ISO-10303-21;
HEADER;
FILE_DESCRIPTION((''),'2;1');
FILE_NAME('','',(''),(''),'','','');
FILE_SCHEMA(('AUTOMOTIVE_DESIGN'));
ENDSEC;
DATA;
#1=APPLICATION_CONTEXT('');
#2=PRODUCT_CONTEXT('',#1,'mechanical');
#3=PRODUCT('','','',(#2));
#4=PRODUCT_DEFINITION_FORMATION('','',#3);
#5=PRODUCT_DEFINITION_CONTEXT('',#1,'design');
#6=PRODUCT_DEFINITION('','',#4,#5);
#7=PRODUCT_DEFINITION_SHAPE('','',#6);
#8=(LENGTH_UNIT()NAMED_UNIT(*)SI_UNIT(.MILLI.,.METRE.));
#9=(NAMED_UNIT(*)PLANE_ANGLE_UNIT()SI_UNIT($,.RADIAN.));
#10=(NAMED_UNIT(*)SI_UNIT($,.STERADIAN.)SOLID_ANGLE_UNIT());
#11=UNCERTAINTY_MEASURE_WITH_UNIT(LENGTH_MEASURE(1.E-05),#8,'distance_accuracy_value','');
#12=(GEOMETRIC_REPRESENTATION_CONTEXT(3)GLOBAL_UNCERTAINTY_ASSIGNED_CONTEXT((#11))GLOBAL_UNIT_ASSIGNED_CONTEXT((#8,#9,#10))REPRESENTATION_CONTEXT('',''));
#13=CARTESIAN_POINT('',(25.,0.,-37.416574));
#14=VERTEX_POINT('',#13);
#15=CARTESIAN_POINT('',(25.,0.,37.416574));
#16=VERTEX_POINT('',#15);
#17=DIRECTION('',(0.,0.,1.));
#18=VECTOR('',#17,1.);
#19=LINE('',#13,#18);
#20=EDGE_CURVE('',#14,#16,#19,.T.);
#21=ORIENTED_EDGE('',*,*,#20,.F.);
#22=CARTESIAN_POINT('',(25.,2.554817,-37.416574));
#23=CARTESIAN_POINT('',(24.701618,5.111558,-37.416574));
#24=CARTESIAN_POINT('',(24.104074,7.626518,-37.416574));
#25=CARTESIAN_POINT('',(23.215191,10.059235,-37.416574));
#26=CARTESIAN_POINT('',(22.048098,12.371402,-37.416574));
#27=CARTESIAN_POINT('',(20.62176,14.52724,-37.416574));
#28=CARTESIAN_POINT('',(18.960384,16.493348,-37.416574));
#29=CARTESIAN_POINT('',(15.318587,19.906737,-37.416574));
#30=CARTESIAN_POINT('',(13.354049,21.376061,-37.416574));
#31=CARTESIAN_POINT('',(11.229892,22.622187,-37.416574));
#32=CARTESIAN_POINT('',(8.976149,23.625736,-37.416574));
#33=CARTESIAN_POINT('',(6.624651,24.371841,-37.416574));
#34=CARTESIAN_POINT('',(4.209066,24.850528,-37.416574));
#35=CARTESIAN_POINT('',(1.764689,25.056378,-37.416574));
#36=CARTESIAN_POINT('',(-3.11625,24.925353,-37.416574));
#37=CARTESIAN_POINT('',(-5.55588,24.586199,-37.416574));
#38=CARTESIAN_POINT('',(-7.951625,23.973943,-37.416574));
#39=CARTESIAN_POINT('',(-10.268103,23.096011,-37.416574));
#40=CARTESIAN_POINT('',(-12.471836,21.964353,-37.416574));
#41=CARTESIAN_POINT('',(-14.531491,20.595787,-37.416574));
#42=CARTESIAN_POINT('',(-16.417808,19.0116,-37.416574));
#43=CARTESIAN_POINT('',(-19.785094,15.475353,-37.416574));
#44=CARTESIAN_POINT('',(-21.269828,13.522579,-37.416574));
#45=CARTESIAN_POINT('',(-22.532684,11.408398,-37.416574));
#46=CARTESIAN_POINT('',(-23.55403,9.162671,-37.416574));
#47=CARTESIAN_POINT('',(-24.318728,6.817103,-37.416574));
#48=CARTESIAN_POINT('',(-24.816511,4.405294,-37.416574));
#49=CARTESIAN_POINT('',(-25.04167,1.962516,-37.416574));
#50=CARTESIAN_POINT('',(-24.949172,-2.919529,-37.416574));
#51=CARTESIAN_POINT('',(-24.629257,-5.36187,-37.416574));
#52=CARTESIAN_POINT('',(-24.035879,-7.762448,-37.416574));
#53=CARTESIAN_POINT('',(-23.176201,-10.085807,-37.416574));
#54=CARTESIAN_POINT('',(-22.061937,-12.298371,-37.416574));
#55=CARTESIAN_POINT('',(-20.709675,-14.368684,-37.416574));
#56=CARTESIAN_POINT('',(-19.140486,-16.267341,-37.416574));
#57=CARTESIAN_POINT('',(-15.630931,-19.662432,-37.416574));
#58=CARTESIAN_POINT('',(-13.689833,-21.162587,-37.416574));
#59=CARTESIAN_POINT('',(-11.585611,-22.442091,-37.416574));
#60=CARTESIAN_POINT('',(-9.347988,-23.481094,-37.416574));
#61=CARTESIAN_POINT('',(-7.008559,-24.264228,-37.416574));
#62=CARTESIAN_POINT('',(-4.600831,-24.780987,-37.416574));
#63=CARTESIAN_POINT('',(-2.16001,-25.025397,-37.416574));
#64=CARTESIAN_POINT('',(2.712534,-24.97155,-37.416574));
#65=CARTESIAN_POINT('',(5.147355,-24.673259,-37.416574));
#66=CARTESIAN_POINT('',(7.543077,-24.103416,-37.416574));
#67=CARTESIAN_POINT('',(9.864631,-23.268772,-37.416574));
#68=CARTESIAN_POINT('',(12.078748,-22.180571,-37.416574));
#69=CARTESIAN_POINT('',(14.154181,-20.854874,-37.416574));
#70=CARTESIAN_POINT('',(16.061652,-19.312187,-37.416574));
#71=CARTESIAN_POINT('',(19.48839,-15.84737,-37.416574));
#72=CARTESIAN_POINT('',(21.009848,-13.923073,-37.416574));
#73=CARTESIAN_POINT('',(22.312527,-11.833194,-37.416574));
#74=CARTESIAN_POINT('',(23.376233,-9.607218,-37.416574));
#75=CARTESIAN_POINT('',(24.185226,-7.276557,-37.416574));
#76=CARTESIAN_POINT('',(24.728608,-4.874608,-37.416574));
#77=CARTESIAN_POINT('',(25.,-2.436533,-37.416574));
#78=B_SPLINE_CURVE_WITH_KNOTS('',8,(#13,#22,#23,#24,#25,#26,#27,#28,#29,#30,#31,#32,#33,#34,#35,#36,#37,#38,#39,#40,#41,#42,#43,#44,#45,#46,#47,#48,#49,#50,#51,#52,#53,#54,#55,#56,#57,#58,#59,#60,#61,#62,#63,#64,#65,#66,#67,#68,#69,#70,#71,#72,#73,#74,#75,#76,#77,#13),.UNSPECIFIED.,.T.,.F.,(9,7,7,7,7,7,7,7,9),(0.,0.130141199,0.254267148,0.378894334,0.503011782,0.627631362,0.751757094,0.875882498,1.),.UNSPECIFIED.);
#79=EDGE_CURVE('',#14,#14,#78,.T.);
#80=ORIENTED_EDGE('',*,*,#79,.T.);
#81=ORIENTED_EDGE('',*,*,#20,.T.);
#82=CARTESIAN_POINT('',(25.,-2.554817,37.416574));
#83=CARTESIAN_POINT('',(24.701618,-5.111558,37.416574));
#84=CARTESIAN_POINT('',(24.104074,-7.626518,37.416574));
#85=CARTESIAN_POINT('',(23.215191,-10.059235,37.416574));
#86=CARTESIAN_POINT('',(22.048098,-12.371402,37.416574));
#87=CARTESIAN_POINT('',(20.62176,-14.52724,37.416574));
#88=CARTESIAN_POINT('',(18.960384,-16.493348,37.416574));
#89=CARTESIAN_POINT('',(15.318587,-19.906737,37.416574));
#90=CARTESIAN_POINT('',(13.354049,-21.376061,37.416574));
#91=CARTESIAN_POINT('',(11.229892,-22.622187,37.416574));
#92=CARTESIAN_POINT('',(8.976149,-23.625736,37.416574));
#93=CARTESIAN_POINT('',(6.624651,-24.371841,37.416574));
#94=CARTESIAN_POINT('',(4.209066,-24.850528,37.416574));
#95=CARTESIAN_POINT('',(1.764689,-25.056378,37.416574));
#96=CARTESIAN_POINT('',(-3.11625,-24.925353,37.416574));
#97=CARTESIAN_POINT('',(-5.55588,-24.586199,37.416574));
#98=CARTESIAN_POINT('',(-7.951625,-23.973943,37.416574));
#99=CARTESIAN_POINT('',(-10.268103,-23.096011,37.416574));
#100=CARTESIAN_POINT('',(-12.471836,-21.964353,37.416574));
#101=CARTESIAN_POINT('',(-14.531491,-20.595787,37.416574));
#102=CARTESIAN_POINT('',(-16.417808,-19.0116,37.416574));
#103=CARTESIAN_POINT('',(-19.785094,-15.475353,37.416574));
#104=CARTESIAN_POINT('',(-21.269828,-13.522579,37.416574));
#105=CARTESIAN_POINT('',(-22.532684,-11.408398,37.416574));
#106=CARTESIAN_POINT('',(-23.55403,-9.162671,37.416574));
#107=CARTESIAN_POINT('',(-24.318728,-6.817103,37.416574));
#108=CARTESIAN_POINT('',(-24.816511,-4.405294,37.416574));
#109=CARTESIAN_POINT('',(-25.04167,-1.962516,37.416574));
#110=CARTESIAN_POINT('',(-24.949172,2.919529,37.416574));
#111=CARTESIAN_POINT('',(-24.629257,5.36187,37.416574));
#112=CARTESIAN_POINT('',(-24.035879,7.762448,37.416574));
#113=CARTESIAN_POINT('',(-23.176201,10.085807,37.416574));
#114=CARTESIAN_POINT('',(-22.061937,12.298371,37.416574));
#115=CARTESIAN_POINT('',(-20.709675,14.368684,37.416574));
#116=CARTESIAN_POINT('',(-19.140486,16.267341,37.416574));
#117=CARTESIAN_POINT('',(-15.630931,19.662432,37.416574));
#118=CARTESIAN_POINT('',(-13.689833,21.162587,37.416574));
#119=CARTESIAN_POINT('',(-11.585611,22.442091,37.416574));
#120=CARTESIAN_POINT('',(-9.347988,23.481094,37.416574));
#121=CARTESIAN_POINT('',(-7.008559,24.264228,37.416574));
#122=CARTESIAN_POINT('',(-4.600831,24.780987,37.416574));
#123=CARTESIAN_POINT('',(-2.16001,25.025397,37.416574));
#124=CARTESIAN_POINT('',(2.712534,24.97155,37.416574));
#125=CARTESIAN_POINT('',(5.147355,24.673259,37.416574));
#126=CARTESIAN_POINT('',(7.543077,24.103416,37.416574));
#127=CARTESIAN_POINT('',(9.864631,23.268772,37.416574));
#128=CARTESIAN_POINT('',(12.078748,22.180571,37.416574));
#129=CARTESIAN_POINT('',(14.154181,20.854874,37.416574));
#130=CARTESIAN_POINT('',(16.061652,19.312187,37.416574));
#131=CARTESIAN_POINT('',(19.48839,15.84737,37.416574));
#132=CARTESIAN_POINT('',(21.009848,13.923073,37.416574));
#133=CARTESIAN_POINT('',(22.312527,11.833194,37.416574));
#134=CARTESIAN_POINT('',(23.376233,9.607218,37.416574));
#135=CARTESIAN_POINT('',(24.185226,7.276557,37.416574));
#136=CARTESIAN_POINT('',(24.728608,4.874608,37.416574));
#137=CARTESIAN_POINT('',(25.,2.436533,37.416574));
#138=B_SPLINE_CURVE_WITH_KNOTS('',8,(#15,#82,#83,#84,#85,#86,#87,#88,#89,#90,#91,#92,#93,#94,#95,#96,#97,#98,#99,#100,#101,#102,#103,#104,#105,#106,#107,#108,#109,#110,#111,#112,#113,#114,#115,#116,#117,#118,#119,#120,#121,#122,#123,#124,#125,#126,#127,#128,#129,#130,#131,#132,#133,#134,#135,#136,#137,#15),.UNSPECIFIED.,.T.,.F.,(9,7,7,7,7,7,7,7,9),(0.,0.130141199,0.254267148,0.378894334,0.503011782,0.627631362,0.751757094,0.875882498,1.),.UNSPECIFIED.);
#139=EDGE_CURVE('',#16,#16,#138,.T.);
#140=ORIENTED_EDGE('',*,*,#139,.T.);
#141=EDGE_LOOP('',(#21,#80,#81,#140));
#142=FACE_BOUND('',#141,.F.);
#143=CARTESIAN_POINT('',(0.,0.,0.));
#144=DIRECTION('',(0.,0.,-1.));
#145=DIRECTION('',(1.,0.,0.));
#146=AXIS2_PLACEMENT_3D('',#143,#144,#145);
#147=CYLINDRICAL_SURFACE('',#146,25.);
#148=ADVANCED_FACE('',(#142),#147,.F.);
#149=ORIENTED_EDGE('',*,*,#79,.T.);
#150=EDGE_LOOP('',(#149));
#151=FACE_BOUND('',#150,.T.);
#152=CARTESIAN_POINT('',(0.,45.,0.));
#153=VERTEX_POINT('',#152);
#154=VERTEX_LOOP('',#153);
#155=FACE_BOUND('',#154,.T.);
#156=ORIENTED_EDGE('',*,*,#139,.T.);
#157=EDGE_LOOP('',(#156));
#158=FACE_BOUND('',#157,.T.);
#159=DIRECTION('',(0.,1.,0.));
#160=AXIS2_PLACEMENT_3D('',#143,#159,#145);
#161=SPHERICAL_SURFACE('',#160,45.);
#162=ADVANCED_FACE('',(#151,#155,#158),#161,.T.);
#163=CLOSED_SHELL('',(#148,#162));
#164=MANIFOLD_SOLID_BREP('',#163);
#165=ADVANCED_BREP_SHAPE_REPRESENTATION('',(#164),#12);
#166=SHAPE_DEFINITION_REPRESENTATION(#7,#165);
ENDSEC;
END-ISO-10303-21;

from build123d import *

# Parameters (mm, degrees)
F2_R      = 25
F3_DEPTH  = 45.001
F3_FACE_R = 25
F4_DEPTH  = 45.001


with BuildPart() as f1:
    # F0 (on Top) → F1 (revolve)
    with BuildSketch(Plane.XY):
        with BuildLine():
            Line((0, 0), (0, -45))
            ThreePointArc((0, -45), (45, 0), (0, 45))
            Line((0, 45), (0, 0))
        make_face()
    revolve(axis=Axis((0, 29.846651, 0), (0, 1, 0)))

    # F2 (on Top) → F3 (cut, through all)
    with BuildSketch(Plane.XY):
        Circle(F2_R)
    extrude(amount=-F3_DEPTH, mode=Mode.SUBTRACT)

    # F3_face (on face) → F4 (cut, through all)
    with BuildSketch(Plane(origin=(0, 0, 0), x_dir=(1, 0, 0), z_dir=(0, 0, -1))):
        Circle(F3_FACE_R)
    extrude(amount=-F4_DEPTH, mode=Mode.SUBTRACT)


solid = f1.part
